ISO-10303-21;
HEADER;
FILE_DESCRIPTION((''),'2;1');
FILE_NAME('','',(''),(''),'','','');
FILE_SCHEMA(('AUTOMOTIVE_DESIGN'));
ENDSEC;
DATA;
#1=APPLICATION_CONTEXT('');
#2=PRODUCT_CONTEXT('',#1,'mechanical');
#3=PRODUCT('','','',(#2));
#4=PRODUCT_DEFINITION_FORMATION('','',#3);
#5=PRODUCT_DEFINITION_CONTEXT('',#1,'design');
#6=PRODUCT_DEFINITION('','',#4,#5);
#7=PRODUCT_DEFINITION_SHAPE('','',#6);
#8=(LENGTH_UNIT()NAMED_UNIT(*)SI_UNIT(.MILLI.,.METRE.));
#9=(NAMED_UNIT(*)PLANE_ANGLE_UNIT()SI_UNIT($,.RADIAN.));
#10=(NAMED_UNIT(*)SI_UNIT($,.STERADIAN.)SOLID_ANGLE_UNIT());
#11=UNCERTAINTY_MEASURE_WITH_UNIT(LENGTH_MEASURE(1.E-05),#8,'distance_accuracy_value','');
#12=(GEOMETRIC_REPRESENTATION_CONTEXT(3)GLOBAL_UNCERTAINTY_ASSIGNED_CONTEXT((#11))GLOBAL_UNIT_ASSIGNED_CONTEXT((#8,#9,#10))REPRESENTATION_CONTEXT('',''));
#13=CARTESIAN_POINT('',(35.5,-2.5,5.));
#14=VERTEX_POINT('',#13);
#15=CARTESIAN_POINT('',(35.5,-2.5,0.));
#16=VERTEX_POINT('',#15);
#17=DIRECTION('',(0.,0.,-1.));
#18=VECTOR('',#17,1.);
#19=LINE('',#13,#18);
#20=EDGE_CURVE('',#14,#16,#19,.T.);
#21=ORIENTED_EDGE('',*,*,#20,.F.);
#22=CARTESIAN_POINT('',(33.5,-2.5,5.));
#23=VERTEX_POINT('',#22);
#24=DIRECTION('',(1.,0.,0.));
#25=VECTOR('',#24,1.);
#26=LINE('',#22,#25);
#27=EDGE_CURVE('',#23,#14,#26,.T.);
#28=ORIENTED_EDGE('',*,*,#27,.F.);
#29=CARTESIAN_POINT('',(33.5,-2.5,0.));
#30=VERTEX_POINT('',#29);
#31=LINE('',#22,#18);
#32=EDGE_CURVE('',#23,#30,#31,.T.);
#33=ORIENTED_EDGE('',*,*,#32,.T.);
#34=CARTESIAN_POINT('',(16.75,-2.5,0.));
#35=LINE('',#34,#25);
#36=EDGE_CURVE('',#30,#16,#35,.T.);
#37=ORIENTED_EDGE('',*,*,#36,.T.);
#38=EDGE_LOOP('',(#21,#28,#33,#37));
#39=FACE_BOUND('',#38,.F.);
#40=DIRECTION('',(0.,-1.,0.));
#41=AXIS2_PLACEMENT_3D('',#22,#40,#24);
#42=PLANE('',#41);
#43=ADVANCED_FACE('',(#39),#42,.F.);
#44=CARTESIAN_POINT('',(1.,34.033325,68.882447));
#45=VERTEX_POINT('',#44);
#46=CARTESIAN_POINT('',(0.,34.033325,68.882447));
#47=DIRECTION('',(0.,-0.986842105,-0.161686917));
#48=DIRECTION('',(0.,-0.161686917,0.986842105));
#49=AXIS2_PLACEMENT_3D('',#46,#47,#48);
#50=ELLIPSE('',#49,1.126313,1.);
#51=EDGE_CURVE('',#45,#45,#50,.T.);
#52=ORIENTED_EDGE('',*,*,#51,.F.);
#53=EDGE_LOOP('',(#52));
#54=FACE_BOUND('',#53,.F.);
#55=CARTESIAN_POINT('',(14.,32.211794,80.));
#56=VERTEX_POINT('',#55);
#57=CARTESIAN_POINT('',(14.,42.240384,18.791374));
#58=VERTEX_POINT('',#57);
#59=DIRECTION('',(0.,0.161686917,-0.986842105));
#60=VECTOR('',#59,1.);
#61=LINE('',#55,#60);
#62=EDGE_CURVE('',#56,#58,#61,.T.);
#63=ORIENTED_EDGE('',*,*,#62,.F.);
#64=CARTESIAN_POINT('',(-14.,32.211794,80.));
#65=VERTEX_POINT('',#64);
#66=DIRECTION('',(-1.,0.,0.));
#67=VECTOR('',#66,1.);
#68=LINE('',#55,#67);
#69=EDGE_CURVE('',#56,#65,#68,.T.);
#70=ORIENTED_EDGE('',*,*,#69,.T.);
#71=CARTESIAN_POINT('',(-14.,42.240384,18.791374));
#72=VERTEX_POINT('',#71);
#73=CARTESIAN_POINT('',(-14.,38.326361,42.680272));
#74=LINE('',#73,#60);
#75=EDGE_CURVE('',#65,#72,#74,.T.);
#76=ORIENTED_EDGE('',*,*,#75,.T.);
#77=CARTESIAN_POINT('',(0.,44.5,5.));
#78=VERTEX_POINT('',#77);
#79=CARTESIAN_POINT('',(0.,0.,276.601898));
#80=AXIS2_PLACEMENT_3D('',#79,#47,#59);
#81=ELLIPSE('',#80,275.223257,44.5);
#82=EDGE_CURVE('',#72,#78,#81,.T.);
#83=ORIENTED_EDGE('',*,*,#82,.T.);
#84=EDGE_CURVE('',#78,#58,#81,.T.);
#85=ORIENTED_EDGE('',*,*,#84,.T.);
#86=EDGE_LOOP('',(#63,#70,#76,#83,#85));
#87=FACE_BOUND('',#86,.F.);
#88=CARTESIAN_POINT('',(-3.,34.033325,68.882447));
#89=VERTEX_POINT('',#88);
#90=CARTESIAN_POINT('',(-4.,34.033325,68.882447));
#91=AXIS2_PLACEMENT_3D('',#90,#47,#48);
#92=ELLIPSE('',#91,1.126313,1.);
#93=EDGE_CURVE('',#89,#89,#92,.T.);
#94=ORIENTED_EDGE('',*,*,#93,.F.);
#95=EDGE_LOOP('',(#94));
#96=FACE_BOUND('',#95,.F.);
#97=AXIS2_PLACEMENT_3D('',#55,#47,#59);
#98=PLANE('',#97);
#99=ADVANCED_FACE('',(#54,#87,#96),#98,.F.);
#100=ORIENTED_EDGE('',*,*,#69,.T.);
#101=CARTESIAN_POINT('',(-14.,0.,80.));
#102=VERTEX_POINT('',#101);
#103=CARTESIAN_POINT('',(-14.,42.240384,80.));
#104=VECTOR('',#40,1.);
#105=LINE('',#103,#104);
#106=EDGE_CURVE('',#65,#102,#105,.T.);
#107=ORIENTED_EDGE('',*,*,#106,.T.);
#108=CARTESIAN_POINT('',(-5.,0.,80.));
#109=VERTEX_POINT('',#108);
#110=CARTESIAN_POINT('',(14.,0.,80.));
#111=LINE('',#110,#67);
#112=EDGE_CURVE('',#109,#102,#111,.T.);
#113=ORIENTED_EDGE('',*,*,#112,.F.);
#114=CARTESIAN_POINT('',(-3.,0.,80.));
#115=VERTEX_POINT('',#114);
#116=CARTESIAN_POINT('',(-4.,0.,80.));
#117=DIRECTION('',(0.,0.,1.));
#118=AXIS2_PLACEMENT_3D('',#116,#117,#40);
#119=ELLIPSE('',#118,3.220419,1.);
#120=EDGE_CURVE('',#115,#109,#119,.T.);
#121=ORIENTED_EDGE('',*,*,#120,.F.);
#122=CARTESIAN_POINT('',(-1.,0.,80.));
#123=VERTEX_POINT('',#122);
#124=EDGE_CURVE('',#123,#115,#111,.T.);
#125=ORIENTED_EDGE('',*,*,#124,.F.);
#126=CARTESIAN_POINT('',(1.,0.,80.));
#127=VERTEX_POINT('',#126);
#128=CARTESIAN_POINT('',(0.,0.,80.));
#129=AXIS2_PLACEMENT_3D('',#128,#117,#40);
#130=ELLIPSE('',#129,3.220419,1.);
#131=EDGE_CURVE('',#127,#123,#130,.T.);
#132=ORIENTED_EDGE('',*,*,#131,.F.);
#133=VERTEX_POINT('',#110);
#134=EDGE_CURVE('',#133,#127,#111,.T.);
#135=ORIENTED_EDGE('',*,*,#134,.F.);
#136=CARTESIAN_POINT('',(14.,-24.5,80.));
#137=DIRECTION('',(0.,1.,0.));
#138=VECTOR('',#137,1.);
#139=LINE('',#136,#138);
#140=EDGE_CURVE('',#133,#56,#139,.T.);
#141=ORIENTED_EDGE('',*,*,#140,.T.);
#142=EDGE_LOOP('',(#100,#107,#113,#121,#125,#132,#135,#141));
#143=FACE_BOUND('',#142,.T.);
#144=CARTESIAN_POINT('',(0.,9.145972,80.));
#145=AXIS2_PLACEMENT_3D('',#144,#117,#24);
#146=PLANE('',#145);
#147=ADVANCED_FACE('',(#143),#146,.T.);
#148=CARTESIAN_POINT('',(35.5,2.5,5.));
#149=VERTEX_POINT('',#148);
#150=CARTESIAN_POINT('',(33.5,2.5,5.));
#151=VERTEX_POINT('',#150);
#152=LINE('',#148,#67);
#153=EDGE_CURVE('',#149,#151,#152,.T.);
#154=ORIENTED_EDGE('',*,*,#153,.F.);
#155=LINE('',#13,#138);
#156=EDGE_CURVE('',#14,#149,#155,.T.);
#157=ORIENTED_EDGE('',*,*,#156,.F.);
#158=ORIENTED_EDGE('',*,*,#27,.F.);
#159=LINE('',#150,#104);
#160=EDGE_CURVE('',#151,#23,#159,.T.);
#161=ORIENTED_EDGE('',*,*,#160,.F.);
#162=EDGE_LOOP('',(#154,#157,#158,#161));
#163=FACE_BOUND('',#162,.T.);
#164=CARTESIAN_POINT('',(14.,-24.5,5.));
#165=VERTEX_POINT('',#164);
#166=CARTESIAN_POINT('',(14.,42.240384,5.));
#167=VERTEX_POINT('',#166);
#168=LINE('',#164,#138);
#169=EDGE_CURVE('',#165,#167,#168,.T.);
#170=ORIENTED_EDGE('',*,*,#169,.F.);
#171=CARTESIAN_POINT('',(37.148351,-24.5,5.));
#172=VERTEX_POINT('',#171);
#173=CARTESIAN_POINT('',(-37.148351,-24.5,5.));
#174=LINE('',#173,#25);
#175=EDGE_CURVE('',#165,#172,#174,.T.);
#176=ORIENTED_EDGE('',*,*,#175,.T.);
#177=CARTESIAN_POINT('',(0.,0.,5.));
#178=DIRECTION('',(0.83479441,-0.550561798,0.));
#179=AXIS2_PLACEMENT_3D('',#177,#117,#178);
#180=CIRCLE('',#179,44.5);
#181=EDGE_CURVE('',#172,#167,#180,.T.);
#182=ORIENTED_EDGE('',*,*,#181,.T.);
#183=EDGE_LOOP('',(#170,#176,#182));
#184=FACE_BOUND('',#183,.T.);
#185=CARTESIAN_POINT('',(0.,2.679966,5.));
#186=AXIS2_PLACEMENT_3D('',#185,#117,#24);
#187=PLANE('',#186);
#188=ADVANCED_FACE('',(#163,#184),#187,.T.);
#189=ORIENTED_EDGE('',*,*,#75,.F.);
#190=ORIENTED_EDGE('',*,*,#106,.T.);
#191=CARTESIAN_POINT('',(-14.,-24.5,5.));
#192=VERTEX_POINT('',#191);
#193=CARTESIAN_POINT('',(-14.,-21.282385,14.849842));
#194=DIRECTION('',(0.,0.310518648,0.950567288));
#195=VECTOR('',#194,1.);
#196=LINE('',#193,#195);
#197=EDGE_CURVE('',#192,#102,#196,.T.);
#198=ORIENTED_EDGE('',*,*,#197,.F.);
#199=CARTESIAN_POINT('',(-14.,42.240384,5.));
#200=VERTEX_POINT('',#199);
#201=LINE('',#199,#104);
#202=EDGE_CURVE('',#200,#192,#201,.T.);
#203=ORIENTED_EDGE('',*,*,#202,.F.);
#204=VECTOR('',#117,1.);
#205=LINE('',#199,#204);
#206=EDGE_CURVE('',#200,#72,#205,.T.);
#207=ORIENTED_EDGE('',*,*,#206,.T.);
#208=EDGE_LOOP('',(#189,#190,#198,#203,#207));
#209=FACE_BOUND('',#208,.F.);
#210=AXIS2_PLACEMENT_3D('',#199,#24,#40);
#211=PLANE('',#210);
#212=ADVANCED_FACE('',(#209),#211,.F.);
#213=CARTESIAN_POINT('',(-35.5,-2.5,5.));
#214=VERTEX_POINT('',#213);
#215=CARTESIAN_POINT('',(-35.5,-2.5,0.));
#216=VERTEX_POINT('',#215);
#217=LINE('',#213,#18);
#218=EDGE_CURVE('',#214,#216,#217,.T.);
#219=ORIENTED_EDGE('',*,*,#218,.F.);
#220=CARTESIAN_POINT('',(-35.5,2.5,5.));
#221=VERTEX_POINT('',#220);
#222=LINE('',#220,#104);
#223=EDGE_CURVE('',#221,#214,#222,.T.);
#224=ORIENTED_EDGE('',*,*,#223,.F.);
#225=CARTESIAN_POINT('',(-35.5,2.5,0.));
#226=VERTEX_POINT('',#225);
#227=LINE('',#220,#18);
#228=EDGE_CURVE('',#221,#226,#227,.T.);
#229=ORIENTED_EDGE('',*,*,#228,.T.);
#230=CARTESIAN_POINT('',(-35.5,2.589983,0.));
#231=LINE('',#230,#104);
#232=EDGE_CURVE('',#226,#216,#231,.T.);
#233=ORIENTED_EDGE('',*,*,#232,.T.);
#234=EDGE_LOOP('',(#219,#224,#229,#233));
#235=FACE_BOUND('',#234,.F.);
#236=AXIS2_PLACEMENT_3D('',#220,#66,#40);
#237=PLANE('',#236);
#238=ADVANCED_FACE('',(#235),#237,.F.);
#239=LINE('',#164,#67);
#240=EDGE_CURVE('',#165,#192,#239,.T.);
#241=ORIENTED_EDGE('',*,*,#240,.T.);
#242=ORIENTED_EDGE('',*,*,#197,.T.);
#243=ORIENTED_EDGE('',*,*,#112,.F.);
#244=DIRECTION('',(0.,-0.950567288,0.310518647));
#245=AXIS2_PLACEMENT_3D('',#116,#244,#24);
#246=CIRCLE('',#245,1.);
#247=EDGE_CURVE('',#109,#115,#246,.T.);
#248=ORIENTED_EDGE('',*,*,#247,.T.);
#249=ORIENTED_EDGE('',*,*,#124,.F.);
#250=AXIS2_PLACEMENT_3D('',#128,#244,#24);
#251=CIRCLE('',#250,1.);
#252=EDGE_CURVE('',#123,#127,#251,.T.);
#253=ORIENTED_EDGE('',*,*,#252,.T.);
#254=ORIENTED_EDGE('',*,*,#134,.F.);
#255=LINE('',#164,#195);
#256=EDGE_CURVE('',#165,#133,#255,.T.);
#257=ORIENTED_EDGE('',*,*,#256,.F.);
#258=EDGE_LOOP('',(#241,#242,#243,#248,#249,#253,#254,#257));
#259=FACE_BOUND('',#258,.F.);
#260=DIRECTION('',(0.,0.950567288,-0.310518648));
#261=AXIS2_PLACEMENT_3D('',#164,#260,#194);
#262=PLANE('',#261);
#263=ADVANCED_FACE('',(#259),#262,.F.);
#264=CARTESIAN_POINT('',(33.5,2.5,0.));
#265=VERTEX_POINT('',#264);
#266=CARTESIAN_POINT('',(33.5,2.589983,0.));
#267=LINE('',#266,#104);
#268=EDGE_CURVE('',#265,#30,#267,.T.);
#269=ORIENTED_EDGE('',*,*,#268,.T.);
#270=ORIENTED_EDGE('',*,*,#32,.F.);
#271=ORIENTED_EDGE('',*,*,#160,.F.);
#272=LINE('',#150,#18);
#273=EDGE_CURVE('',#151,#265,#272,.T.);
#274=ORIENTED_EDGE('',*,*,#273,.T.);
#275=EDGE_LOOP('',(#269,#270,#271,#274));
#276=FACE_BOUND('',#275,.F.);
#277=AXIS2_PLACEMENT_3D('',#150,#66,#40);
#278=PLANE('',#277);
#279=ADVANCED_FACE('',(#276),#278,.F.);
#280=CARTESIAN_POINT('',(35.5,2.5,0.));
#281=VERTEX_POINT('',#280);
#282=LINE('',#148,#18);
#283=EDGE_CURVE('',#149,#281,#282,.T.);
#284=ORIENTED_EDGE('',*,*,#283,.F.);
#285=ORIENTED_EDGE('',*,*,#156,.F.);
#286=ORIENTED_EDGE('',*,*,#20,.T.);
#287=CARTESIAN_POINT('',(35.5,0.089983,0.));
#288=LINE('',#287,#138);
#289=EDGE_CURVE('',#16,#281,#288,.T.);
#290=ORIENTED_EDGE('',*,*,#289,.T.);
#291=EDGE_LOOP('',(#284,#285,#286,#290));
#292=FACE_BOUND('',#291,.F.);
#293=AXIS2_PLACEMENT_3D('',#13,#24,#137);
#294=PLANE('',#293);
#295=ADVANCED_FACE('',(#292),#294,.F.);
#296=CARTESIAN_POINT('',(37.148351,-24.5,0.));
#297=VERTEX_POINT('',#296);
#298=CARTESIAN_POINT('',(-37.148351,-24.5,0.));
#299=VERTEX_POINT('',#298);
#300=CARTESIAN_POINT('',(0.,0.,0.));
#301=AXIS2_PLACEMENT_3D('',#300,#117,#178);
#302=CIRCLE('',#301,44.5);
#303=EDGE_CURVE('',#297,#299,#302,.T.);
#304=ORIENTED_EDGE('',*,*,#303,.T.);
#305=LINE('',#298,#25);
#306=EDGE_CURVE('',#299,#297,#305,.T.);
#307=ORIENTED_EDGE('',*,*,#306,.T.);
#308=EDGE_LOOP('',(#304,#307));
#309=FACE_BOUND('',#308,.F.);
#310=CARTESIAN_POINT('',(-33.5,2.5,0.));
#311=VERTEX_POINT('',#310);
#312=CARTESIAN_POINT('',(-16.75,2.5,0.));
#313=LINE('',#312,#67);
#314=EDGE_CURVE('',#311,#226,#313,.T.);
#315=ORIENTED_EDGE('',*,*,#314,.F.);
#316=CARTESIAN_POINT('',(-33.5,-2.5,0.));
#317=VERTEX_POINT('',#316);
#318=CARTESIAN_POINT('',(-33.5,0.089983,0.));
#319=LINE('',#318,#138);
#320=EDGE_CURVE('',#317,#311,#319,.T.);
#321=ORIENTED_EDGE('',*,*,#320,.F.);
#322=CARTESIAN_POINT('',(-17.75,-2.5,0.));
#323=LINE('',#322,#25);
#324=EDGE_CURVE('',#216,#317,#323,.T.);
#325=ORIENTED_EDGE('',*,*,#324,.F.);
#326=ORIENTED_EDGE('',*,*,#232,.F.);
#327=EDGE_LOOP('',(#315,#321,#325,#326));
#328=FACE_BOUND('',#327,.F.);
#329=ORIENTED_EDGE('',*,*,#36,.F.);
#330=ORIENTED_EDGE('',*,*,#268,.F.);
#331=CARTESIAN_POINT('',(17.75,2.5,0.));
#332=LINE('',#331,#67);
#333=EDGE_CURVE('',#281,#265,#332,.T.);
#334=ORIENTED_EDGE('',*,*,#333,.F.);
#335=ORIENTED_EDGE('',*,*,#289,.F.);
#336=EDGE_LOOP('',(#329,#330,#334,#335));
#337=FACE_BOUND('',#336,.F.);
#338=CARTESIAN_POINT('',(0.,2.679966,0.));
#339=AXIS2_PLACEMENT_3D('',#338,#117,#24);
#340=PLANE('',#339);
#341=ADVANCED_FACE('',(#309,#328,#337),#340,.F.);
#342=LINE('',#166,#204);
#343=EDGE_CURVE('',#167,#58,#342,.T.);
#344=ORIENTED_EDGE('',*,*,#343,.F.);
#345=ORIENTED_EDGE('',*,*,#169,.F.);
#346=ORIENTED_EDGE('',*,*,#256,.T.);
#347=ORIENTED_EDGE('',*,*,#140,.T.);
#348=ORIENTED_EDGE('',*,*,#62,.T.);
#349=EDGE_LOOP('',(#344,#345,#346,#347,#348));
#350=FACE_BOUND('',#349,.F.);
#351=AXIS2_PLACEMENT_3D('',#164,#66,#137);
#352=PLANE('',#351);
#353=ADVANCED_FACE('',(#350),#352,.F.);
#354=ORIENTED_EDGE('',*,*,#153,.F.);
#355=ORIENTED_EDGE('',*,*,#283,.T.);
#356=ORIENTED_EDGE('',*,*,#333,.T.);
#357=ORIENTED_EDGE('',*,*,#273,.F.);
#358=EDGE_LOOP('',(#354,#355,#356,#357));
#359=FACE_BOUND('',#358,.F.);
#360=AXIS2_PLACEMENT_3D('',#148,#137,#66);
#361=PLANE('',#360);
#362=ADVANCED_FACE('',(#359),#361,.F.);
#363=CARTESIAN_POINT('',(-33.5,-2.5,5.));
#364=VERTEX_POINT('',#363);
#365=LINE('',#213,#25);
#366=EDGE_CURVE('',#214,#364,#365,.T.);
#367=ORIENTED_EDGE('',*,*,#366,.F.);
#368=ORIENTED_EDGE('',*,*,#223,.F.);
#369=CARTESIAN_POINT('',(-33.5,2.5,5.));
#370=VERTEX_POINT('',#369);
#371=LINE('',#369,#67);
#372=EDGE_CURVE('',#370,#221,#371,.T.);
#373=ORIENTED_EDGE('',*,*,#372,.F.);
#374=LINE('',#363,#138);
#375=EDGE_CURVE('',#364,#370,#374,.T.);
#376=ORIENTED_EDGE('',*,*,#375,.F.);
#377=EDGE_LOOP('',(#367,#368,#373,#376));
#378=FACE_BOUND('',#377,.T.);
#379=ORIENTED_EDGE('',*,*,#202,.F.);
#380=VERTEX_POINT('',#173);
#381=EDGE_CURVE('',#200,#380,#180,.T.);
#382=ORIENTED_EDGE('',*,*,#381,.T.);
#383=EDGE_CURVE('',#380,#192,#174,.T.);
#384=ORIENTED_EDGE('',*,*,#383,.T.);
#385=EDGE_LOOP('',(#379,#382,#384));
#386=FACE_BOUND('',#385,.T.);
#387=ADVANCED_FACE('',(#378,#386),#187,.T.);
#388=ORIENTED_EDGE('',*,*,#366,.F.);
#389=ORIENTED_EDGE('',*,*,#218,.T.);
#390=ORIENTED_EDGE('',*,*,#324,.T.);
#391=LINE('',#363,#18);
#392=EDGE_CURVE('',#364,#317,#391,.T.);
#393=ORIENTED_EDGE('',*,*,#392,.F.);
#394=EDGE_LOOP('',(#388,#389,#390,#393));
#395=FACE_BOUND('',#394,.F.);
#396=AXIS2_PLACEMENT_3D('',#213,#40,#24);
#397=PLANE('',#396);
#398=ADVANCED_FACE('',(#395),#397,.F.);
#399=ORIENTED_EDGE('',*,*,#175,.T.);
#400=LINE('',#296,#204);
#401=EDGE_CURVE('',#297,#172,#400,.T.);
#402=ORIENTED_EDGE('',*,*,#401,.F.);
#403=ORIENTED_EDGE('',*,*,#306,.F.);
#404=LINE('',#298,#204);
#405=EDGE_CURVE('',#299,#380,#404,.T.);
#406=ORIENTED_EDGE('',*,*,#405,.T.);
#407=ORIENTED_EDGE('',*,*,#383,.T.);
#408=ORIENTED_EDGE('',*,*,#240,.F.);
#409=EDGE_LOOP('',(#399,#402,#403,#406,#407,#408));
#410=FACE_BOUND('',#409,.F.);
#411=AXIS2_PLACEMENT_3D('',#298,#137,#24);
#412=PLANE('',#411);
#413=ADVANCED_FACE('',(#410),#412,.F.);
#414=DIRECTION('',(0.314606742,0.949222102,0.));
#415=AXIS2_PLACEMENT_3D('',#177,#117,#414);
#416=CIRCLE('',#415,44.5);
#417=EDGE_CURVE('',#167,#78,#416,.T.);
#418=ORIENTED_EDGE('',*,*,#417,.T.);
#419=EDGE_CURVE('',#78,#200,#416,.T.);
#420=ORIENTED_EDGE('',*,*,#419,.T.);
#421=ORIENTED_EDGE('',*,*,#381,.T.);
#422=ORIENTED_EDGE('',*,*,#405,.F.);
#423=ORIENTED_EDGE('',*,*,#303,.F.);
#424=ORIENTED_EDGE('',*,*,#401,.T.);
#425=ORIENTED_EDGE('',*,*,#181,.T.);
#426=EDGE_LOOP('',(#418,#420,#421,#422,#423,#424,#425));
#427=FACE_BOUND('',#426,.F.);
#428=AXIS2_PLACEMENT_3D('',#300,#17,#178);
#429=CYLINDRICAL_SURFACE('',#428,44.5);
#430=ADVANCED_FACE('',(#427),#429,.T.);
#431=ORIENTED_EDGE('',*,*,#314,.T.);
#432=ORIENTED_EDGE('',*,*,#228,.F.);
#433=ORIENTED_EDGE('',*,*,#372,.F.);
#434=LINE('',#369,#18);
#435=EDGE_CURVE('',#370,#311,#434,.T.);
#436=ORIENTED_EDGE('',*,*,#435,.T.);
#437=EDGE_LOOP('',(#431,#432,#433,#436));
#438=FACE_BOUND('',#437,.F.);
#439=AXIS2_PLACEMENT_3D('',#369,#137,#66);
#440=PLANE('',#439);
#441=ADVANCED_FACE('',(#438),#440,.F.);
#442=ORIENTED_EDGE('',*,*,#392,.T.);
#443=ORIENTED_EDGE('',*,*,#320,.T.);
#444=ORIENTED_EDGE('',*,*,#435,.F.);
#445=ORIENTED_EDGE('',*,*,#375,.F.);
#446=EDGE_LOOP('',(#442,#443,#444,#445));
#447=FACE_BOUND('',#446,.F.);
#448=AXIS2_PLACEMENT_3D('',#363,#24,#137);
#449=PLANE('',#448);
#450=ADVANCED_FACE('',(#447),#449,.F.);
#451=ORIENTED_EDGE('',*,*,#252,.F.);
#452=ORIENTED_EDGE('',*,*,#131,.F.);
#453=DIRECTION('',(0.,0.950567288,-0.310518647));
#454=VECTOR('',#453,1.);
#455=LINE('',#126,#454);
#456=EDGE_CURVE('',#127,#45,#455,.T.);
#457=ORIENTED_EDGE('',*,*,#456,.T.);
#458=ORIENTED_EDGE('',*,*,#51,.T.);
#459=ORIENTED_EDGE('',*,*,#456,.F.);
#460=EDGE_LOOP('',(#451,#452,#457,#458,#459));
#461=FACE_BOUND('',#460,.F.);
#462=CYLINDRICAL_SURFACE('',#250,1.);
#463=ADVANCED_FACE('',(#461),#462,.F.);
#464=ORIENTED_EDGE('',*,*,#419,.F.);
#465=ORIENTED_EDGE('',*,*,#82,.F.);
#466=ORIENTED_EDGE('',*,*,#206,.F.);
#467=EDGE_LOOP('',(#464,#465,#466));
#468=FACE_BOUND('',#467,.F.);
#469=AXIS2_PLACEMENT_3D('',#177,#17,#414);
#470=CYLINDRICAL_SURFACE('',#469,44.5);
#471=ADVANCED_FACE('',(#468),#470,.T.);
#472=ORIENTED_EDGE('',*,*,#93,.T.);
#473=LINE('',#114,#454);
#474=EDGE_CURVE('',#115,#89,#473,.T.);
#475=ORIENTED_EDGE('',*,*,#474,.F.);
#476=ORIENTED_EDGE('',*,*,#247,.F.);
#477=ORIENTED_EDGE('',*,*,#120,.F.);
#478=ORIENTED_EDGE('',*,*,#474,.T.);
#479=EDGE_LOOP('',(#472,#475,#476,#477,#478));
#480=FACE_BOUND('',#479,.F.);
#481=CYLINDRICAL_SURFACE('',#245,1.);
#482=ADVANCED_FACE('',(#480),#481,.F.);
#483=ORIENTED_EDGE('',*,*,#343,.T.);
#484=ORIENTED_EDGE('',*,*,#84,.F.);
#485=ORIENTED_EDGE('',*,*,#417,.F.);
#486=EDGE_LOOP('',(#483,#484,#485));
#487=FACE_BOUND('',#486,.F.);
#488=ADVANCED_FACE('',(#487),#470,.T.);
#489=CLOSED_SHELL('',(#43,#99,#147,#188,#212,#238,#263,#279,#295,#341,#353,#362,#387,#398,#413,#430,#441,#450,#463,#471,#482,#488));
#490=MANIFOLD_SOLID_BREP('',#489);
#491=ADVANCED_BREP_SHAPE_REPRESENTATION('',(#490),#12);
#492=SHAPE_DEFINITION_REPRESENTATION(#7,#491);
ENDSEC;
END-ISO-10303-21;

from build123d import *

# Parameters (mm, degrees)
F1_DEPTH = 5
F3_DEPTH = 75
F5_DEPTH = 58.501
F7_DEPTH = 5.001
F8_R     = 1
F9_DEPTH = 67.142736129


with BuildPart() as f1:
    # F0 (on Top) → F1 (new body)
    with BuildSketch(Plane.XY):
        with BuildLine():
            ThreePointArc((37.148351242, -24.5), (0, 44.5), (-37.148351242, -24.5))
            Line((-37.148351242, -24.5), (37.148351242, -24.5))
        make_face()
    extrude(amount=F1_DEPTH)

    # F2 (on face) → F3 (join)
    with BuildSketch(Plane.XY.offset(5)):
        with BuildLine():
            Line((-14, -24.5), (0, -24.5))
            Line((0, -24.5), (14, -24.5))
            Line((14, -24.5), (14, 42.240383521))
            ThreePointArc((14, 42.240383521), (0, 44.5), (-14, 42.240383521))
            Line((-14, 42.240383521), (-14, -24.5))
        make_face()
    extrude(amount=F3_DEPTH)

    # F4 (on face) → F5 (cut, through all)
    with BuildSketch(Plane.YZ.offset(14)):
        Polygon((-24.5, 5), (0, 80), (0, 88), (-35, 88), (-35, 5), align=None)
        Polygon((57.2117942726, 88), (32.2117942726, 88), (32.2117942726, 80), (44.5, 5), (57.2117942726, 5), align=None)
    extrude(amount=-F5_DEPTH, mode=Mode.SUBTRACT)

    # F6 (on face) → F7 (cut, through all)
    with BuildSketch(Plane.XY.offset(5)):
        Polygon((-33.5, -2.5), (-33.5, 0), (-33.5, 2.5), (-35.5, 2.5), (-35.5, -2.5), align=None)
        Polygon((35.5, 2.5), (33.5, 2.5), (33.5, 0), (33.5, -2.5), (35.5, -2.5), align=None)
    extrude(amount=-F7_DEPTH, mode=Mode.SUBTRACT)

    # F8 (on face) → F9 (cut, through all)
    with BuildSketch(Plane(origin=(0, -23.6135094976, 7.7137464359), x_dir=(1, 0, 0), z_dir=(0, -0.9505672883, 0.3105186475))):
        with Locations((0, 76.0453830625)):
            Circle(F8_R)
        with Locations((-4, 76.0453830625)):
            Circle(F8_R)
    extrude(amount=-F9_DEPTH, mode=Mode.SUBTRACT)


solid = f1.part
